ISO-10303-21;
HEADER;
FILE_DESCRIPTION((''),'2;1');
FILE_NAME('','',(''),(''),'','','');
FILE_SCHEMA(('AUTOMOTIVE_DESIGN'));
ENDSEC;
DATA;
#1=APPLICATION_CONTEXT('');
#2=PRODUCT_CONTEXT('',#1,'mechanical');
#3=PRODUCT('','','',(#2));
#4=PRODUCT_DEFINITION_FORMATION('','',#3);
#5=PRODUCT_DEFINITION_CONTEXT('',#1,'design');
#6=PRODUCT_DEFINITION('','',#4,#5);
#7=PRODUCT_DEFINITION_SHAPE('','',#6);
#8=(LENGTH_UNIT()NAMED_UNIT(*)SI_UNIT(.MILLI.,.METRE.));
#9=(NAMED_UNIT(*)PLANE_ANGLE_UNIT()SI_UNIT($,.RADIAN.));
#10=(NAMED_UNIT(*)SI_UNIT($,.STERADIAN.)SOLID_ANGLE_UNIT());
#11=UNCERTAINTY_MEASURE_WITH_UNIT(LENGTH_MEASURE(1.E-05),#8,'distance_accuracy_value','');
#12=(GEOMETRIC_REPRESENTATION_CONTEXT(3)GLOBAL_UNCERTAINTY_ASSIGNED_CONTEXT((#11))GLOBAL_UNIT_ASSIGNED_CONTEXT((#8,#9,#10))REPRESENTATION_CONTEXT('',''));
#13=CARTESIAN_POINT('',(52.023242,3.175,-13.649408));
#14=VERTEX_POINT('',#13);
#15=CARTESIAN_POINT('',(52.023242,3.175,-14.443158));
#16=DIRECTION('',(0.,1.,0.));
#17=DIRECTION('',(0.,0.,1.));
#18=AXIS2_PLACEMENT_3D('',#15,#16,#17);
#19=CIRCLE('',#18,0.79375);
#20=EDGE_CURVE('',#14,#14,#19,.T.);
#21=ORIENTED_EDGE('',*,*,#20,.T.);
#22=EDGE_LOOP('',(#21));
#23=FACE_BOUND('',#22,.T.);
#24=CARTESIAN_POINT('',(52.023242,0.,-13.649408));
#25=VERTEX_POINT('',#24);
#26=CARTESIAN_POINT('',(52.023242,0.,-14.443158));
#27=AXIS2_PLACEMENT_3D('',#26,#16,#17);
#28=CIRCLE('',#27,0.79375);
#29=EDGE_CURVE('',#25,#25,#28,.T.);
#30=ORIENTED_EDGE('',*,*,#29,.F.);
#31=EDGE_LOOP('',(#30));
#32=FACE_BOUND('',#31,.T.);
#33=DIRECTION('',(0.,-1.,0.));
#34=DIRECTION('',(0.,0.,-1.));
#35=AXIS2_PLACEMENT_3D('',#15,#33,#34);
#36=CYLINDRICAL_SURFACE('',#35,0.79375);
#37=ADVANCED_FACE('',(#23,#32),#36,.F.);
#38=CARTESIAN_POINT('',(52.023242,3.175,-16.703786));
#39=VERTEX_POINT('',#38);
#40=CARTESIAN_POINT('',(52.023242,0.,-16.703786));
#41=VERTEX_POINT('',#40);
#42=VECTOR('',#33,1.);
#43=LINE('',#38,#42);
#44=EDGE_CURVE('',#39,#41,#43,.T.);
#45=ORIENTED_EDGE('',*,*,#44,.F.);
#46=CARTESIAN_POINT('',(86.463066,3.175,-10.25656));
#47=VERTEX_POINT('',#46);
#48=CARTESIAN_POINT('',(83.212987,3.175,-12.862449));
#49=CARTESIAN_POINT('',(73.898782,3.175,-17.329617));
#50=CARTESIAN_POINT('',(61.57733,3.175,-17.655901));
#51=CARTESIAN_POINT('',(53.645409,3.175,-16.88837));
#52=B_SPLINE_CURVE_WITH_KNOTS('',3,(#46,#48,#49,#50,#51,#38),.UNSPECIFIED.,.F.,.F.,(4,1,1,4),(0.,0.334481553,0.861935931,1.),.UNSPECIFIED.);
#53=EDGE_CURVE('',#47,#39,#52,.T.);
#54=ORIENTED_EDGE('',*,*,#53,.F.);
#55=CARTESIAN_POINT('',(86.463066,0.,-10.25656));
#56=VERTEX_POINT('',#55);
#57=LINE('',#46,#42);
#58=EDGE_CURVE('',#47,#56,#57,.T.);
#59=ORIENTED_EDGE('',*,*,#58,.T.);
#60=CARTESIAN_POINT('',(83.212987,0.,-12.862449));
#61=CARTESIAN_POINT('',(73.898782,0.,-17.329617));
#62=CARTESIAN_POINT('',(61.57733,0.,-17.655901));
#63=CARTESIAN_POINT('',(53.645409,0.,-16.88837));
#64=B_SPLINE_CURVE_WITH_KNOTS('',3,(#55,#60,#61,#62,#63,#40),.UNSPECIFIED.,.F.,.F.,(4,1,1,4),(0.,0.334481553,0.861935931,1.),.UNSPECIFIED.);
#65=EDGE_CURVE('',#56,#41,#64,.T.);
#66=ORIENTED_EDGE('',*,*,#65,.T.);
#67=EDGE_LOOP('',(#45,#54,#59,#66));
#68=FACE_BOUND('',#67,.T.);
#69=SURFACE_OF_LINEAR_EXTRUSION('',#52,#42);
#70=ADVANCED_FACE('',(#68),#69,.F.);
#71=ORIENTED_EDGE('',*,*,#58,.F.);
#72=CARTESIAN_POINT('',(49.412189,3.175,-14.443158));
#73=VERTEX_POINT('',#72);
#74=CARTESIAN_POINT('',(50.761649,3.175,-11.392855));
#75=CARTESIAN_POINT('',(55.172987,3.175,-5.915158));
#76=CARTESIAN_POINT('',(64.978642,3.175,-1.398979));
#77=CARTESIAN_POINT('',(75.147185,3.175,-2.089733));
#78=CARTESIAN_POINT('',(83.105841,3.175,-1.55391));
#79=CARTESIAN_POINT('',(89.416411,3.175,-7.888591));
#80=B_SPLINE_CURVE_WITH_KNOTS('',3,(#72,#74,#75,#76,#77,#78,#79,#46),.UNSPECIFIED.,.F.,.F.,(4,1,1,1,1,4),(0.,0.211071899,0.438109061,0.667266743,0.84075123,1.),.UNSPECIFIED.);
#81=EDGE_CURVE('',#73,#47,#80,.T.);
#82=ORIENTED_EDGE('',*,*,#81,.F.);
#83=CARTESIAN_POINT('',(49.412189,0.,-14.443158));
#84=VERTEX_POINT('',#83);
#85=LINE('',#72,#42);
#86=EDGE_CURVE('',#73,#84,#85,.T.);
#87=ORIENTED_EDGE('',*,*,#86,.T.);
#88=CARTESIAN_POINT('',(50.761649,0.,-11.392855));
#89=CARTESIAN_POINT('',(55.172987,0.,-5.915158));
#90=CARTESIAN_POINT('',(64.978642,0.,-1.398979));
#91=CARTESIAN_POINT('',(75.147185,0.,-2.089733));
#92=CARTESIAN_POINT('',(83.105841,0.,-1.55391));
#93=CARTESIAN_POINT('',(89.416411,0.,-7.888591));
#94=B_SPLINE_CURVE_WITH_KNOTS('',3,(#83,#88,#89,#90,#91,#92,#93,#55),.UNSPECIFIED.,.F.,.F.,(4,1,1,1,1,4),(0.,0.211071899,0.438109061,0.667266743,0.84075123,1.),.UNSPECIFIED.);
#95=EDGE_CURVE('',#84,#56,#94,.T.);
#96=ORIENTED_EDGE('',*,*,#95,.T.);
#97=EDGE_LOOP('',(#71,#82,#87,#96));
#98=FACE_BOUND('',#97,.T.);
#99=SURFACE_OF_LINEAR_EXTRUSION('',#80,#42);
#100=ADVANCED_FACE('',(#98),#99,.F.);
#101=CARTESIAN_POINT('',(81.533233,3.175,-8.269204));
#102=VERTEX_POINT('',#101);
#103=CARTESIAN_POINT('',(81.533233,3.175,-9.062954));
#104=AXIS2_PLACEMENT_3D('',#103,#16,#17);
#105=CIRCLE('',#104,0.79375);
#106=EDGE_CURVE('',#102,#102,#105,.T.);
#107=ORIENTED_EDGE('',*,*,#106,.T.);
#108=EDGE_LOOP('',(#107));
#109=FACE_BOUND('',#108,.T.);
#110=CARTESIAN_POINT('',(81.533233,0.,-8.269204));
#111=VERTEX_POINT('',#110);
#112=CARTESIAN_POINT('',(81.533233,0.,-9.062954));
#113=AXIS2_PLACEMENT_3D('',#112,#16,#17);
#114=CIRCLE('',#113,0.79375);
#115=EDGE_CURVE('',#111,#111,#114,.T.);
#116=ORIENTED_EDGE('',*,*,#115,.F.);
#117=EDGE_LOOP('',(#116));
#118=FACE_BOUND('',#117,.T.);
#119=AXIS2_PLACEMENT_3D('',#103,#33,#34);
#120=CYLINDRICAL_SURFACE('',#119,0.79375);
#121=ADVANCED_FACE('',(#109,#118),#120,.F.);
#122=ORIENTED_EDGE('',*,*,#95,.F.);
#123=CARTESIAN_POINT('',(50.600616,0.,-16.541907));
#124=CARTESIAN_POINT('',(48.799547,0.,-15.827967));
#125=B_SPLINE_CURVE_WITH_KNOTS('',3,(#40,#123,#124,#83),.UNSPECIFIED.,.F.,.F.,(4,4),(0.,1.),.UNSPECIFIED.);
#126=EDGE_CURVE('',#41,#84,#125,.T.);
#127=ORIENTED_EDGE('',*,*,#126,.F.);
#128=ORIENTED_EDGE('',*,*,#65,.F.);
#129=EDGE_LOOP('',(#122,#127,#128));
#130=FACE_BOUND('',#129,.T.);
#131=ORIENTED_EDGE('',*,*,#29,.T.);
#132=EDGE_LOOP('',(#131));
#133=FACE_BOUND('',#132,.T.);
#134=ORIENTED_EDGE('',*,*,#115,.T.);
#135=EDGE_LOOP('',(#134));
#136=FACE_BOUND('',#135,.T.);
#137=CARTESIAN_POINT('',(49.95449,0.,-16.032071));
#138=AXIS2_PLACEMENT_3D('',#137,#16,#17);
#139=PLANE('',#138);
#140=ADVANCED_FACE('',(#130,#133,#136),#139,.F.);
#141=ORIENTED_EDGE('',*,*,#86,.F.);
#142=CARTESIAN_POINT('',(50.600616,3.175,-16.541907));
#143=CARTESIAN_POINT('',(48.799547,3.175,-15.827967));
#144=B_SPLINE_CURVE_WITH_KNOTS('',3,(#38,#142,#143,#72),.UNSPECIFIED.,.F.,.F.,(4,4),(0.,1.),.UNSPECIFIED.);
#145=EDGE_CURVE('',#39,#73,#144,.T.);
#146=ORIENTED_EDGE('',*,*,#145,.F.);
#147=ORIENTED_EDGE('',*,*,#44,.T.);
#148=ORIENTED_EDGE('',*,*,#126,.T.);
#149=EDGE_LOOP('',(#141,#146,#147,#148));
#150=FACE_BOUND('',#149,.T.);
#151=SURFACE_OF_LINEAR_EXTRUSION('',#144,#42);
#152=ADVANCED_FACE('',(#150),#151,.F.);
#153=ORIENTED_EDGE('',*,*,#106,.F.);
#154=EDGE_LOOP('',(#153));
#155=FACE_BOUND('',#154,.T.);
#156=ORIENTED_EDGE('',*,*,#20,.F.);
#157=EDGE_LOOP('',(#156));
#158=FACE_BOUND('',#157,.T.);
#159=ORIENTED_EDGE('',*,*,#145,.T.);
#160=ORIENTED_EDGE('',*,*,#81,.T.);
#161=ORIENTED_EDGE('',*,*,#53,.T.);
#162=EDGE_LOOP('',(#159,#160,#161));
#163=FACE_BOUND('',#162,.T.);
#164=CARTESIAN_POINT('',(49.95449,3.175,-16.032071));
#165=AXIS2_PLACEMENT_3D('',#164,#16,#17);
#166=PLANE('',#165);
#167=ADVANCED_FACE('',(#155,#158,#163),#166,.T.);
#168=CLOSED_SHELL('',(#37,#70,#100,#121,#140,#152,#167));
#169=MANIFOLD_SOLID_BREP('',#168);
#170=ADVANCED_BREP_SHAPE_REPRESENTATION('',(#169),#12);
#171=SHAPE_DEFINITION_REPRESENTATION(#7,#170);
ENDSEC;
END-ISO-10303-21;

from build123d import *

# Parameters (mm, degrees)
SKETCH1_R           = 0.79375
BOSS_EXTRUDE1_DEPTH = 3.175


with BuildPart() as part:
    # Sketch1 → Boss-Extrude1 (new body)
    with BuildSketch(Plane(origin=(0, 0, 0), x_dir=(1, 0, 0), z_dir=(0, 1, 0))):
        with BuildLine():
            add(Edge.make_bspline(
                [(49.412189484, 14.443157545), (50.761648696, 11.392855179), (55.172987066, 5.915157755), (64.97864162, 1.398978829), (75.147185312, 2.089733415), (83.105841305, 1.55391046), (89.416410621, 7.888590669), (86.463066332, 10.256559663)],
                knots=[0, 0, 0, 0, 0.211071899, 0.438109061, 0.667266743, 0.84075123, 1, 1, 1, 1], degree=3))
            add(Edge.make_bspline(
                [(86.463066332, 10.256559663), (83.212986527, 12.862448937), (73.898782123, 17.329617093), (61.577330311, 17.655900513), (53.645408959, 16.888370063), (52.023242095, 16.703785699)],
                knots=[0, 0, 0, 0, 0.334481553, 0.861935931, 1, 1, 1, 1], degree=3))
            add(Edge.make_bspline(
                [(49.412189484, 14.443157545), (48.799547338, 15.827966933), (50.600615633, 16.541906791), (52.023242095, 16.703785699)],
                knots=[0, 0, 0, 0, 1, 1, 1, 1], degree=3))
        make_face()
        with Locations((52.023242095, 14.443157545)):
            Circle(SKETCH1_R, mode=Mode.SUBTRACT)
        with Locations((81.533232746, 9.062953732)):
            Circle(SKETCH1_R, mode=Mode.SUBTRACT)
    extrude(amount=BOSS_EXTRUDE1_DEPTH)


solid = part.part
